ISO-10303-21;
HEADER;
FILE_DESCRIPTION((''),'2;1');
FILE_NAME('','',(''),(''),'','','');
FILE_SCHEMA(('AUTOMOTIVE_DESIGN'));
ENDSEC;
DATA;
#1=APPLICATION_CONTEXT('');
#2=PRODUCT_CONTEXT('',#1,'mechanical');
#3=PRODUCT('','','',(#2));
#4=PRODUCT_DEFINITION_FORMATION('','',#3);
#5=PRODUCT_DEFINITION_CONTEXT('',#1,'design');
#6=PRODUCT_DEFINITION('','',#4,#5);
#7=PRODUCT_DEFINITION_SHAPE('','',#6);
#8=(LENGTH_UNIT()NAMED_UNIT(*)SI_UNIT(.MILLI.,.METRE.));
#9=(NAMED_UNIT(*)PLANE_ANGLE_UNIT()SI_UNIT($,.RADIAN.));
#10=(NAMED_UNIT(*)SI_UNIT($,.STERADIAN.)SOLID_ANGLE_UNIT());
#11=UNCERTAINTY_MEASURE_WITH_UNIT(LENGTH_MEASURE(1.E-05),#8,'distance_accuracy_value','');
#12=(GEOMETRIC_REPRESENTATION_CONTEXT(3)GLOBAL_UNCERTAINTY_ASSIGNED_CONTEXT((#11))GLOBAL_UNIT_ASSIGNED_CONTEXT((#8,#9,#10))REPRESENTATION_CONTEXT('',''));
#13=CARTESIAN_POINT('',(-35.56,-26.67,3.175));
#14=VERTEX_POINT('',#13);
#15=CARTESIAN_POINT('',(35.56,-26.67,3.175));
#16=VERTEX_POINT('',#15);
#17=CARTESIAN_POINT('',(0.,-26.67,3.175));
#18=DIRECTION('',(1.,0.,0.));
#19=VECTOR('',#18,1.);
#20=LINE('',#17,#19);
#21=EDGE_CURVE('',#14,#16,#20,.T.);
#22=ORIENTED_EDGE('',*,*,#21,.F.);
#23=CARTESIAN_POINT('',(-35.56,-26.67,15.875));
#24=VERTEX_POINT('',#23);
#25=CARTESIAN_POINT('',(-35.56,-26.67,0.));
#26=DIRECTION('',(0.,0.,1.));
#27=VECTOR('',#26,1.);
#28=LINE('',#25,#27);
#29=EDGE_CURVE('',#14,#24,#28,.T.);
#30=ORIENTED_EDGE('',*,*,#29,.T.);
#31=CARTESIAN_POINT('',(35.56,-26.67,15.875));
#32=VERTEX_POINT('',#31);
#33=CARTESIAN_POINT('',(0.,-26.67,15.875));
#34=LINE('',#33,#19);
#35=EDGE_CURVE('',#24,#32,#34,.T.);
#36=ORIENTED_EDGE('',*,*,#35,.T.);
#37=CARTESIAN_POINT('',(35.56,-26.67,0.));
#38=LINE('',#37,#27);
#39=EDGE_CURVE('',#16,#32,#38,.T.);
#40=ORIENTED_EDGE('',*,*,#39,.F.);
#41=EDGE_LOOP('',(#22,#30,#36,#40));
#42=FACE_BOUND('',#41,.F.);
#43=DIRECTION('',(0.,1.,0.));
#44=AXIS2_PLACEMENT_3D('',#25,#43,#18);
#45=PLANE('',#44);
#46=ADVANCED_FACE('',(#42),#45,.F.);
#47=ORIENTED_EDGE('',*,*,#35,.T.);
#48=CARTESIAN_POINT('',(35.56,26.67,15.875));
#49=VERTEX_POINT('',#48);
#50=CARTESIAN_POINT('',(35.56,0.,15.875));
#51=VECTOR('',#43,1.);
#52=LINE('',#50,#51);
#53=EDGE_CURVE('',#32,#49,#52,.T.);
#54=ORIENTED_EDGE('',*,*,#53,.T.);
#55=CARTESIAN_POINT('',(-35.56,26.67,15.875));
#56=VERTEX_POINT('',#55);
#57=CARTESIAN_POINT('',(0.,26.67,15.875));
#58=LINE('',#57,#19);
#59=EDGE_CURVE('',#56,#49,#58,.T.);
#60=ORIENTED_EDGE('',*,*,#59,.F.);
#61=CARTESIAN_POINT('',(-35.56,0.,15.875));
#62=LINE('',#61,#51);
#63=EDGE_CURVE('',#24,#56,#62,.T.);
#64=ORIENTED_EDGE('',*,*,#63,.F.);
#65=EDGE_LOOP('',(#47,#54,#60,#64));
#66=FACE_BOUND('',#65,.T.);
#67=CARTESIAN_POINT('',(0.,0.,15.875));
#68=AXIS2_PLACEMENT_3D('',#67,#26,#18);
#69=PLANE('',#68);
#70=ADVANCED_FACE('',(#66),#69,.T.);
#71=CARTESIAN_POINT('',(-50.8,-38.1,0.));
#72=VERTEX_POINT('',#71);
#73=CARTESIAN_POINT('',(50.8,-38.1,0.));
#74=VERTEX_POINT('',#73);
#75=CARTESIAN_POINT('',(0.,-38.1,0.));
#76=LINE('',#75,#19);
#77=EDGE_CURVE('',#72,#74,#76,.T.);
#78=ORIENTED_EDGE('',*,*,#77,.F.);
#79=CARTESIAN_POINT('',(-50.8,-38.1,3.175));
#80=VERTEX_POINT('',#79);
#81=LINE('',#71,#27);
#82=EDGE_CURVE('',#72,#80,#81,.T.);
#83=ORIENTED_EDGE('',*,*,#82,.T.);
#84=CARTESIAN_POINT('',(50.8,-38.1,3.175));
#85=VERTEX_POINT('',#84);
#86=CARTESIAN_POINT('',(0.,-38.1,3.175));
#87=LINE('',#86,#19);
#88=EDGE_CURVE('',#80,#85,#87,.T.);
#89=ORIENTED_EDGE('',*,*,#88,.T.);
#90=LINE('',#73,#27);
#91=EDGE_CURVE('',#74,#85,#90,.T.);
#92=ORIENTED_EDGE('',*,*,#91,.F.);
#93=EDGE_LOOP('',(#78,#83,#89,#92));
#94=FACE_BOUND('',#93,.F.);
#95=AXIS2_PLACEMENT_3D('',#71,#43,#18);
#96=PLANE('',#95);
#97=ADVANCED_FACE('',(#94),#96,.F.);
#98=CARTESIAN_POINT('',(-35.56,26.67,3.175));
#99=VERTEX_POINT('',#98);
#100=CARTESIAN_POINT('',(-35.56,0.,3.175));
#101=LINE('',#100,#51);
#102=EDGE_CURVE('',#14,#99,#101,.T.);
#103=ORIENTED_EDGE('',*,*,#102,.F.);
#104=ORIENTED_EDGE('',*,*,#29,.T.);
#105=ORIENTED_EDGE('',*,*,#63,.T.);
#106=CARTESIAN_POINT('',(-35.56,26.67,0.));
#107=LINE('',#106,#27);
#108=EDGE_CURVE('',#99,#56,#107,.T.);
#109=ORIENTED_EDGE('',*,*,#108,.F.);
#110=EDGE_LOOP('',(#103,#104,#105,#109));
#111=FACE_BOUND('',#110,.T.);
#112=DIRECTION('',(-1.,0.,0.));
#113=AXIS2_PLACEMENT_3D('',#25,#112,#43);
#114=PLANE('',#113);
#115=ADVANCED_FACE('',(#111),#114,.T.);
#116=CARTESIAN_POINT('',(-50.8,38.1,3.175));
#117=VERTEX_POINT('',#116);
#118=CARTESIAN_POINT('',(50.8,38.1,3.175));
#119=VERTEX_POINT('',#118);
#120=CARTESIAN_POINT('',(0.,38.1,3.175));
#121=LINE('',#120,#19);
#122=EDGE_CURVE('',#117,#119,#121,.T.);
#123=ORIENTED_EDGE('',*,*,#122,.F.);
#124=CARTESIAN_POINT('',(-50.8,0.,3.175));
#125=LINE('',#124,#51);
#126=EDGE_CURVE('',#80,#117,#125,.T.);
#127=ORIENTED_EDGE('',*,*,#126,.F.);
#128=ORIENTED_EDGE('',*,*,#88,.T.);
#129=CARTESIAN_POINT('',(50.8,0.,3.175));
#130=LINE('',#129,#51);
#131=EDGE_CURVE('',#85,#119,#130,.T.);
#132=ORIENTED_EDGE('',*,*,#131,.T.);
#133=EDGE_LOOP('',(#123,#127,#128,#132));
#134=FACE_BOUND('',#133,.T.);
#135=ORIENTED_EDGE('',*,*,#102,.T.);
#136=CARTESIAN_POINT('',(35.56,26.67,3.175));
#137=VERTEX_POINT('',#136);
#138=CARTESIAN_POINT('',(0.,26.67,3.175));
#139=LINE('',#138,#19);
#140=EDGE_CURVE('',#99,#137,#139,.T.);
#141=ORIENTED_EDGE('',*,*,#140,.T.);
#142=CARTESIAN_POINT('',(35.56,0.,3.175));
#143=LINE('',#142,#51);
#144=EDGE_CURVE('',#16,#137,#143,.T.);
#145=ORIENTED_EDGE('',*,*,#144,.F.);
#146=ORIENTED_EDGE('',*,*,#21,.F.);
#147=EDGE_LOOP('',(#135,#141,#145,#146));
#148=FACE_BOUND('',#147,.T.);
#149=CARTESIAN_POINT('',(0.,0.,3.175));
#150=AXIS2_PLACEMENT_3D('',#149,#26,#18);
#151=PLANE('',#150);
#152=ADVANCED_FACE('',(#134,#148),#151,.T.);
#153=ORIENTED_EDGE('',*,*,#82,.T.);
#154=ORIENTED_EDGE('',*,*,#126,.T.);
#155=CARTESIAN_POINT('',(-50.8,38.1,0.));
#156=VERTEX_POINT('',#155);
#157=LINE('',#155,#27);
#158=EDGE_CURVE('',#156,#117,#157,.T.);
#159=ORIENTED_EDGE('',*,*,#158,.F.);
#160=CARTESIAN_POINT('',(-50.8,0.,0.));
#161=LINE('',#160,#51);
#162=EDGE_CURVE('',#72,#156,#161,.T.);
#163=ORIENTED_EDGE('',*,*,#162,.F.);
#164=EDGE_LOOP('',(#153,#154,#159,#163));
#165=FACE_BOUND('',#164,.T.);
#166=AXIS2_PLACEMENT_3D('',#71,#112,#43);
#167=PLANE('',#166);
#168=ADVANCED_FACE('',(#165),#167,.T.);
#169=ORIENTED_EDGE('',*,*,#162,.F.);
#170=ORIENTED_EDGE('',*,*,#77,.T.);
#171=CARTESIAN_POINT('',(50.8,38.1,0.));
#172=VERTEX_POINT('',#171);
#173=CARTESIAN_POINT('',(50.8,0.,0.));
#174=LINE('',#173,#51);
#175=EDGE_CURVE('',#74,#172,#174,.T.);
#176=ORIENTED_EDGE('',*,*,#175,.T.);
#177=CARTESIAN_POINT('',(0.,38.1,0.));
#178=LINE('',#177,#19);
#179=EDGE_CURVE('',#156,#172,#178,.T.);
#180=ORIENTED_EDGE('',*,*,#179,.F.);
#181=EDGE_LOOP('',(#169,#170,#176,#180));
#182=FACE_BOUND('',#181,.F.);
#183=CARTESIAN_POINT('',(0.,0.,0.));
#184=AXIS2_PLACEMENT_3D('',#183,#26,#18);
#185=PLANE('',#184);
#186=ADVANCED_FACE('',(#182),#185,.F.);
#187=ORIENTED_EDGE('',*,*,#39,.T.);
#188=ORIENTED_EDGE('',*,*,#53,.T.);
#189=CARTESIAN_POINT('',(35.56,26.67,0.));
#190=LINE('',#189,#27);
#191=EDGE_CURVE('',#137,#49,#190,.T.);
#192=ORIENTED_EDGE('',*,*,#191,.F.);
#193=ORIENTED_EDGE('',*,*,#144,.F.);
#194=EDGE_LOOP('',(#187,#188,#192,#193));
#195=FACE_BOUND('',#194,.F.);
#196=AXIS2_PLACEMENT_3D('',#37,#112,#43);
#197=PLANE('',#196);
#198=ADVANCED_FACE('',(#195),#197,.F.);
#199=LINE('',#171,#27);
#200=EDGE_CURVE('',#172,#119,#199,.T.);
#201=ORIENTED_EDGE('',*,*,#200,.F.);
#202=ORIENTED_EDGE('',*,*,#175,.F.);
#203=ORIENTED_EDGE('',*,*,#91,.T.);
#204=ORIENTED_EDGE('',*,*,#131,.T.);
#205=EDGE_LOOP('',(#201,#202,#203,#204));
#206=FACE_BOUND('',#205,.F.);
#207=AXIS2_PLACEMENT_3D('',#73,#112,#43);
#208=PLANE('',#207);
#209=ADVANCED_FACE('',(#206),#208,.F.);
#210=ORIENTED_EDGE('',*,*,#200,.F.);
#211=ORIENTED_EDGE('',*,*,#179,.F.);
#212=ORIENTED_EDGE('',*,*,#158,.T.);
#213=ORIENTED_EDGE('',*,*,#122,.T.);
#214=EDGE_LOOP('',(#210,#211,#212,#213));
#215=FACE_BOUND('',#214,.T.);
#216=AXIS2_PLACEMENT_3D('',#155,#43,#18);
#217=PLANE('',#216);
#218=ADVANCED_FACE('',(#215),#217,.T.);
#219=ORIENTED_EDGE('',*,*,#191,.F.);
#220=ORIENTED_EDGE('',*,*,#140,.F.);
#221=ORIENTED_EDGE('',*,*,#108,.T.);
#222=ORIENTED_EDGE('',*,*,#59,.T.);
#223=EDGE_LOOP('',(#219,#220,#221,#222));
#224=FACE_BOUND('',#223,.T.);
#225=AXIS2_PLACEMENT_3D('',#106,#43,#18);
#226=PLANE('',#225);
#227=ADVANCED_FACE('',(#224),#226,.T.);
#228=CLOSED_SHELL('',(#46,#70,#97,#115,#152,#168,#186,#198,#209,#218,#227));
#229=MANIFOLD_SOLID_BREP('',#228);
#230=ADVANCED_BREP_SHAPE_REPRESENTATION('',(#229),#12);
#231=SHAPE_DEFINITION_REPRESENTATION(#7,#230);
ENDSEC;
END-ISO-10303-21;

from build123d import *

# Parameters (mm, degrees)
F0_W     = 71.12
F0_H     = 53.34
F0_W_2   = 101.6
F0_H_2   = 76.2
F1_DEPTH = 3.175
F2_DEPTH = 15.875


with BuildPart() as f1:
    # F0 (on Top) → F1 (new body)
    with BuildSketch(Plane.XY):
        Rectangle(F0_W, F0_H)
        Rectangle(F0_W_2, F0_H_2)
        Rectangle(F0_W, F0_H, mode=Mode.SUBTRACT)
    extrude(amount=F1_DEPTH)

    # F0 (on Top) → F2 (join)
    with BuildSketch(Plane.XY):
        Rectangle(F0_W, F0_H)
    extrude(amount=F2_DEPTH)


solid = f1.part
